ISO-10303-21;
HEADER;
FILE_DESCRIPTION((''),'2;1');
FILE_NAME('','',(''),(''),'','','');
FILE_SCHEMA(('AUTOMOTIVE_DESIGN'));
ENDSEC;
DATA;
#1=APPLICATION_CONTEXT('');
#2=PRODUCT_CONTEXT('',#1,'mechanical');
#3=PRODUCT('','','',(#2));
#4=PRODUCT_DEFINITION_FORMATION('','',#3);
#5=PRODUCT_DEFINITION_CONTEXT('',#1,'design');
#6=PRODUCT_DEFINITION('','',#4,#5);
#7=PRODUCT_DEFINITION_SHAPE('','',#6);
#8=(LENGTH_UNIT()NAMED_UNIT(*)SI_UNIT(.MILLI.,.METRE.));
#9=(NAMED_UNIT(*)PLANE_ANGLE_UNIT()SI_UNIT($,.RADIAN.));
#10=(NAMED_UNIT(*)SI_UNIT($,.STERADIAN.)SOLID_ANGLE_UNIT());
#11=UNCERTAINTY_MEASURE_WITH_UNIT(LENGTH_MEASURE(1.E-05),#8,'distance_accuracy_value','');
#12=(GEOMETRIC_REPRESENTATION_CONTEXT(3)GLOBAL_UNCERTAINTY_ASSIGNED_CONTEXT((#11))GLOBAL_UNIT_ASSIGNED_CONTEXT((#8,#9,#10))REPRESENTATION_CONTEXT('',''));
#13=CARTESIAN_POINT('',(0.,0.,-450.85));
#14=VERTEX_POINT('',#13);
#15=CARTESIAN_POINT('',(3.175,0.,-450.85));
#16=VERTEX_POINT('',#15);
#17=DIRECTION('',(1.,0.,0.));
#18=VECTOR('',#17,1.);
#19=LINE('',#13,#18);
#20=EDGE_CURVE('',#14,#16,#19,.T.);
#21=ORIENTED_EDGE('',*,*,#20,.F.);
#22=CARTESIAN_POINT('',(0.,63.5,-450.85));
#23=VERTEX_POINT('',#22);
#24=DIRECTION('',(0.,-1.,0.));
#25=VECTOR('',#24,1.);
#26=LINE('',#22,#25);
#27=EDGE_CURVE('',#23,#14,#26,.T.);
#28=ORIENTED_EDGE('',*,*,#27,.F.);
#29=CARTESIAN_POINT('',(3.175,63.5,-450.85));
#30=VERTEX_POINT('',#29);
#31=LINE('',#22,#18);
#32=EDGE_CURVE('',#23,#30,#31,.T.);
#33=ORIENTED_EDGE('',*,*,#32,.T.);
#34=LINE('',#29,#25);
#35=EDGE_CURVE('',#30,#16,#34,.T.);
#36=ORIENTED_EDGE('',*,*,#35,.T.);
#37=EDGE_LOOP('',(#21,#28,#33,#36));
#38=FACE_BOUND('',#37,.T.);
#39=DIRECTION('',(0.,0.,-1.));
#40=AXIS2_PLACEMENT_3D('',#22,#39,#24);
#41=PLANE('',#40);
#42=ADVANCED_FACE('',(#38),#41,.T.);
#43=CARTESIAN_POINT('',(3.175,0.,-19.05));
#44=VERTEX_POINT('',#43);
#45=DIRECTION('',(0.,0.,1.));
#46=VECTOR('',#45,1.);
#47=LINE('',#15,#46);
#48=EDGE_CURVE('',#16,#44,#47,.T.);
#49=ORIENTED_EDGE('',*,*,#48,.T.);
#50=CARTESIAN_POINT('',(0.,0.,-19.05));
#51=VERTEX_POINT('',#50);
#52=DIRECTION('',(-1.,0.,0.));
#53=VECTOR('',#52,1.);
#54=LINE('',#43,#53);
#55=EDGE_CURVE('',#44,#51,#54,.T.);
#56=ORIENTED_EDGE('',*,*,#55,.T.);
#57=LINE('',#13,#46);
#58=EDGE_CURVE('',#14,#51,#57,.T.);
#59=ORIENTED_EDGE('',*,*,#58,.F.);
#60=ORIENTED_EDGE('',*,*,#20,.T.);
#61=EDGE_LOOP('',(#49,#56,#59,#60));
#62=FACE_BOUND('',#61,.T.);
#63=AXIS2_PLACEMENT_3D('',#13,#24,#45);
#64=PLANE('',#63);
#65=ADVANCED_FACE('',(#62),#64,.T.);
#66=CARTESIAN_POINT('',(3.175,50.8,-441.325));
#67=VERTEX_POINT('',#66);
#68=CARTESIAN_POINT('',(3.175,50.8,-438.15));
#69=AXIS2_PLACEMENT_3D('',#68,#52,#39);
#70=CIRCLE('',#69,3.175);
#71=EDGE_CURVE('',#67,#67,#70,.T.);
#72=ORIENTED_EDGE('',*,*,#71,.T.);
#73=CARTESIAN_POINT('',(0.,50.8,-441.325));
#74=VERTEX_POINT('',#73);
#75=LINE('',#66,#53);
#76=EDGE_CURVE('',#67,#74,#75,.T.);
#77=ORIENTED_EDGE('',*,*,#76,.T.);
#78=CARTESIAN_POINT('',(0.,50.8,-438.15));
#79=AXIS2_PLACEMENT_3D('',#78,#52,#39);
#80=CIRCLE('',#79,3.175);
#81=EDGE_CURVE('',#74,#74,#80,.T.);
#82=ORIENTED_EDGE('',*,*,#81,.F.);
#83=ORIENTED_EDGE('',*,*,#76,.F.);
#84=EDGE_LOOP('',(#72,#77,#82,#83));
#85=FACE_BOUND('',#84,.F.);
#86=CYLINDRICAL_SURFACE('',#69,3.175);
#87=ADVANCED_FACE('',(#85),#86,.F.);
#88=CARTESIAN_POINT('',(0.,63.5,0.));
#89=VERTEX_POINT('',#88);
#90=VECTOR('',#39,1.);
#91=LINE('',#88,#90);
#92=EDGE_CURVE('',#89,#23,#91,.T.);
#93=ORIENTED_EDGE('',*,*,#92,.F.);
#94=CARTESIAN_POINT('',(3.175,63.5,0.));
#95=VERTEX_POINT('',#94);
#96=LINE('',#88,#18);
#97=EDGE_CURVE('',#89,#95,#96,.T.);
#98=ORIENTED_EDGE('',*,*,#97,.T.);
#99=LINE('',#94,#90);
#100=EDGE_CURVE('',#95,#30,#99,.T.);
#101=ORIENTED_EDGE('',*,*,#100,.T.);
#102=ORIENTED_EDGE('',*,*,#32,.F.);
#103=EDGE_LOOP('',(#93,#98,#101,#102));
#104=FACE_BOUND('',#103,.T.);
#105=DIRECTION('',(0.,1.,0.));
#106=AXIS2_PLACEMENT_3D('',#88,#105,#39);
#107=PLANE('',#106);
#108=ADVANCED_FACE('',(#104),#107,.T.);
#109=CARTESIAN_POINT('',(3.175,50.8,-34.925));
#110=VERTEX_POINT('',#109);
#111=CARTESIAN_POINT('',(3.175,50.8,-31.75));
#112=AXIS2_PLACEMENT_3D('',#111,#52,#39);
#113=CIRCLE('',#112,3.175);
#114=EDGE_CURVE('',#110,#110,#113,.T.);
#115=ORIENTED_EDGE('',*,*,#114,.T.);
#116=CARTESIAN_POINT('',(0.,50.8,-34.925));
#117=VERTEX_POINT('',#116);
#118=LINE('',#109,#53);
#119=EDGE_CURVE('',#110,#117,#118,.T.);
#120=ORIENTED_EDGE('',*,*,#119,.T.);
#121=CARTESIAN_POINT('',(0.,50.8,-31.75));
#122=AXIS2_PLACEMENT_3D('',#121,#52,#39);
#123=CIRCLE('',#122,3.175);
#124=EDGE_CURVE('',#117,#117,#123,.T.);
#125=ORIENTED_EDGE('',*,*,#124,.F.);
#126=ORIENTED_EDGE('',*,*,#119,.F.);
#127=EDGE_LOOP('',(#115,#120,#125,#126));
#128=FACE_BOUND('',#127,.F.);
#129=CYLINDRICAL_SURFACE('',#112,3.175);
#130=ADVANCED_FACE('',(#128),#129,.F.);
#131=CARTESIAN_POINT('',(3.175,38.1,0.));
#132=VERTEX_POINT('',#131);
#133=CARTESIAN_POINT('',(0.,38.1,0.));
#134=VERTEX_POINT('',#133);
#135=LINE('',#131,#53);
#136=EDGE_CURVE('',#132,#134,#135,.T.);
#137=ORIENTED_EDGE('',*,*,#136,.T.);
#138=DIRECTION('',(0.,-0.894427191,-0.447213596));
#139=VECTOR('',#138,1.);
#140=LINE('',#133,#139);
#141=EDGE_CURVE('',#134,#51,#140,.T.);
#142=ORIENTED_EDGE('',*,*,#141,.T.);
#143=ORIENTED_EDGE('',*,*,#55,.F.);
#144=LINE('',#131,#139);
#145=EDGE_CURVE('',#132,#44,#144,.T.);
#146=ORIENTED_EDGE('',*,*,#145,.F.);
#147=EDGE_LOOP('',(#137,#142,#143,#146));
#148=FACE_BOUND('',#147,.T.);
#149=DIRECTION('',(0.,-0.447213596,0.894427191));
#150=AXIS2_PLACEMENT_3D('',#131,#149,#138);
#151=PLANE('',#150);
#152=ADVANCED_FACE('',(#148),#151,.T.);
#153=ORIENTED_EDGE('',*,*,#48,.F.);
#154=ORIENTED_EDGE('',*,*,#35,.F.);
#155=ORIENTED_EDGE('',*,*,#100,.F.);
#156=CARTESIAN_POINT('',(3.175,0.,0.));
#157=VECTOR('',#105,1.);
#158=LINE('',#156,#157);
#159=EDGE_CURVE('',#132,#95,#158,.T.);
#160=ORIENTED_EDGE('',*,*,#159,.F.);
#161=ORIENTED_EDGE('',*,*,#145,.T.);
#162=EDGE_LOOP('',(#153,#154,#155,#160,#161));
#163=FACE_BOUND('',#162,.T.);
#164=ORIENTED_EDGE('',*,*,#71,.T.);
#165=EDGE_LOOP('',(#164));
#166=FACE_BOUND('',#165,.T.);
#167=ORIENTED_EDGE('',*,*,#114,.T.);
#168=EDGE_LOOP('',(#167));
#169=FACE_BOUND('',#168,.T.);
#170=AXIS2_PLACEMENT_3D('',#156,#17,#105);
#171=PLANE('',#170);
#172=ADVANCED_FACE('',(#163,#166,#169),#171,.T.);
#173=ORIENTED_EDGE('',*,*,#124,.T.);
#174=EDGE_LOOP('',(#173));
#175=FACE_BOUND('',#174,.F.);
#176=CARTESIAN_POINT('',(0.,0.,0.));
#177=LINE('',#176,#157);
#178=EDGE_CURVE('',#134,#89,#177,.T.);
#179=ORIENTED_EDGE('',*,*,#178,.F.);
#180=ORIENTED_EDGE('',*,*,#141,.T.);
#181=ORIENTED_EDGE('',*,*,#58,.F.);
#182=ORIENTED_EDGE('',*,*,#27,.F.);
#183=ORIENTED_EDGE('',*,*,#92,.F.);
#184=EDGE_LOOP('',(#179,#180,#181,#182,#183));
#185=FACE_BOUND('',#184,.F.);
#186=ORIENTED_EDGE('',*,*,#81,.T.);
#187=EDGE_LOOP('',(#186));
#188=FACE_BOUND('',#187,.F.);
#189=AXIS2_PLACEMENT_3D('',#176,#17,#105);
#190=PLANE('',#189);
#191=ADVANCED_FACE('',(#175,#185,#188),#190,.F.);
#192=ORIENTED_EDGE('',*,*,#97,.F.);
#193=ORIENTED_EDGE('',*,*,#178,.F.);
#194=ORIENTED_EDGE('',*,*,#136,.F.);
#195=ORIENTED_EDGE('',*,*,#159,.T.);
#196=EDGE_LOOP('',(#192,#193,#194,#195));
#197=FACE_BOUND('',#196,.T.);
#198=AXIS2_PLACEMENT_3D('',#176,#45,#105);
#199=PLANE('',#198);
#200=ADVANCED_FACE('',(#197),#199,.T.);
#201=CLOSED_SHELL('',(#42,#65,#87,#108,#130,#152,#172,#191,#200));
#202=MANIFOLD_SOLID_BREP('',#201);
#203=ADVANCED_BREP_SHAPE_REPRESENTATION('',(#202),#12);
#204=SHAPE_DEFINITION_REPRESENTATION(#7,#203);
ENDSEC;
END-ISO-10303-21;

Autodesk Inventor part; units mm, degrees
ref_plane "YZ Plane" through (0, 0, 0) normal (1, 0, 0) x (0, 1, 0)
ref_plane "XZ Plane" through (0, 0, 0) normal (0, 1, 0) x (-1, 0, 0)
ref_plane "XY Plane" through (0, 0, 0) normal (0, 0, 1) x (1, 0, 0)
sketch "Sketch1" plane through (0, 0, 0) normal (1, 0, 0) x (0, 1, 0)
  line L0 (0, 0) -> (63.5, 0)
  line L1 (63.5, 0) -> (63.5, -450.85)
  line L2 (63.5, -450.85) -> (0, -450.85)
  line L3 (0, -450.85) -> (0, 0)
  dimension "d0" = 63.5
  dimension "d1" = 450.85
extrude "Extrusion1" add sketch "Sketch1" along normal blind 3.175
sketch "Sketch2" plane through (3.175, 0, 0) normal (1, 0, 0) x (0, 0, -1)
  line L0 (0, 63.5) -> (0, 0) projected
  line L1 (0, 0) -> (450.85, 0) projected
  line L2 (450.85, 0) -> (450.85, 63.5) projected
  line L3 (450.85, 63.5) -> (0, 63.5) projected
  point P0 (31.75, 50.8)
  point P1 (438.15, 50.8)
  dimension "d4" = 31.75
  dimension "d5" = 12.7
  dimension "d6" = 12.7
  dimension "d7" = 12.7
hole "Hole1" at (3.175, 50.8, -31.75) at (3.175, 50.8, -438.15) direction (-1, 0, 0) diameter 6.35 end through all
sketch "Sketch3" plane through (3.175, 0, 0) normal (1, 0, 0) x (0, 0, -1)
  circle A0 centre (31.75, 50.8) radius 3.175 projected
  circle A1 centre (438.15, 50.8) radius 3.175 projected
  line L0 (0, 63.5) -> (0, 0) projected
  line L1 (0, 0) -> (450.85, 0) projected
  line L2 (450.85, 0) -> (450.85, 63.5) projected
  line L3 (450.85, 63.5) -> (0, 63.5) projected
  line L4 (0, 0) -> (0, 38.1)
  line L5 (0, 0) -> (19.05, 0)
  line L6 (0, 0) -> (450.85, 0) projected
  line L7 (0, 38.1) -> (19.05, 0)
  dimension "d15" = 38.1
  dimension "d16" = 19.05
extrude "Extrusion2" cut sketch "Sketch3" against normal blind 3.175 contours L7 L1 L0
properties part number "chain guard"
